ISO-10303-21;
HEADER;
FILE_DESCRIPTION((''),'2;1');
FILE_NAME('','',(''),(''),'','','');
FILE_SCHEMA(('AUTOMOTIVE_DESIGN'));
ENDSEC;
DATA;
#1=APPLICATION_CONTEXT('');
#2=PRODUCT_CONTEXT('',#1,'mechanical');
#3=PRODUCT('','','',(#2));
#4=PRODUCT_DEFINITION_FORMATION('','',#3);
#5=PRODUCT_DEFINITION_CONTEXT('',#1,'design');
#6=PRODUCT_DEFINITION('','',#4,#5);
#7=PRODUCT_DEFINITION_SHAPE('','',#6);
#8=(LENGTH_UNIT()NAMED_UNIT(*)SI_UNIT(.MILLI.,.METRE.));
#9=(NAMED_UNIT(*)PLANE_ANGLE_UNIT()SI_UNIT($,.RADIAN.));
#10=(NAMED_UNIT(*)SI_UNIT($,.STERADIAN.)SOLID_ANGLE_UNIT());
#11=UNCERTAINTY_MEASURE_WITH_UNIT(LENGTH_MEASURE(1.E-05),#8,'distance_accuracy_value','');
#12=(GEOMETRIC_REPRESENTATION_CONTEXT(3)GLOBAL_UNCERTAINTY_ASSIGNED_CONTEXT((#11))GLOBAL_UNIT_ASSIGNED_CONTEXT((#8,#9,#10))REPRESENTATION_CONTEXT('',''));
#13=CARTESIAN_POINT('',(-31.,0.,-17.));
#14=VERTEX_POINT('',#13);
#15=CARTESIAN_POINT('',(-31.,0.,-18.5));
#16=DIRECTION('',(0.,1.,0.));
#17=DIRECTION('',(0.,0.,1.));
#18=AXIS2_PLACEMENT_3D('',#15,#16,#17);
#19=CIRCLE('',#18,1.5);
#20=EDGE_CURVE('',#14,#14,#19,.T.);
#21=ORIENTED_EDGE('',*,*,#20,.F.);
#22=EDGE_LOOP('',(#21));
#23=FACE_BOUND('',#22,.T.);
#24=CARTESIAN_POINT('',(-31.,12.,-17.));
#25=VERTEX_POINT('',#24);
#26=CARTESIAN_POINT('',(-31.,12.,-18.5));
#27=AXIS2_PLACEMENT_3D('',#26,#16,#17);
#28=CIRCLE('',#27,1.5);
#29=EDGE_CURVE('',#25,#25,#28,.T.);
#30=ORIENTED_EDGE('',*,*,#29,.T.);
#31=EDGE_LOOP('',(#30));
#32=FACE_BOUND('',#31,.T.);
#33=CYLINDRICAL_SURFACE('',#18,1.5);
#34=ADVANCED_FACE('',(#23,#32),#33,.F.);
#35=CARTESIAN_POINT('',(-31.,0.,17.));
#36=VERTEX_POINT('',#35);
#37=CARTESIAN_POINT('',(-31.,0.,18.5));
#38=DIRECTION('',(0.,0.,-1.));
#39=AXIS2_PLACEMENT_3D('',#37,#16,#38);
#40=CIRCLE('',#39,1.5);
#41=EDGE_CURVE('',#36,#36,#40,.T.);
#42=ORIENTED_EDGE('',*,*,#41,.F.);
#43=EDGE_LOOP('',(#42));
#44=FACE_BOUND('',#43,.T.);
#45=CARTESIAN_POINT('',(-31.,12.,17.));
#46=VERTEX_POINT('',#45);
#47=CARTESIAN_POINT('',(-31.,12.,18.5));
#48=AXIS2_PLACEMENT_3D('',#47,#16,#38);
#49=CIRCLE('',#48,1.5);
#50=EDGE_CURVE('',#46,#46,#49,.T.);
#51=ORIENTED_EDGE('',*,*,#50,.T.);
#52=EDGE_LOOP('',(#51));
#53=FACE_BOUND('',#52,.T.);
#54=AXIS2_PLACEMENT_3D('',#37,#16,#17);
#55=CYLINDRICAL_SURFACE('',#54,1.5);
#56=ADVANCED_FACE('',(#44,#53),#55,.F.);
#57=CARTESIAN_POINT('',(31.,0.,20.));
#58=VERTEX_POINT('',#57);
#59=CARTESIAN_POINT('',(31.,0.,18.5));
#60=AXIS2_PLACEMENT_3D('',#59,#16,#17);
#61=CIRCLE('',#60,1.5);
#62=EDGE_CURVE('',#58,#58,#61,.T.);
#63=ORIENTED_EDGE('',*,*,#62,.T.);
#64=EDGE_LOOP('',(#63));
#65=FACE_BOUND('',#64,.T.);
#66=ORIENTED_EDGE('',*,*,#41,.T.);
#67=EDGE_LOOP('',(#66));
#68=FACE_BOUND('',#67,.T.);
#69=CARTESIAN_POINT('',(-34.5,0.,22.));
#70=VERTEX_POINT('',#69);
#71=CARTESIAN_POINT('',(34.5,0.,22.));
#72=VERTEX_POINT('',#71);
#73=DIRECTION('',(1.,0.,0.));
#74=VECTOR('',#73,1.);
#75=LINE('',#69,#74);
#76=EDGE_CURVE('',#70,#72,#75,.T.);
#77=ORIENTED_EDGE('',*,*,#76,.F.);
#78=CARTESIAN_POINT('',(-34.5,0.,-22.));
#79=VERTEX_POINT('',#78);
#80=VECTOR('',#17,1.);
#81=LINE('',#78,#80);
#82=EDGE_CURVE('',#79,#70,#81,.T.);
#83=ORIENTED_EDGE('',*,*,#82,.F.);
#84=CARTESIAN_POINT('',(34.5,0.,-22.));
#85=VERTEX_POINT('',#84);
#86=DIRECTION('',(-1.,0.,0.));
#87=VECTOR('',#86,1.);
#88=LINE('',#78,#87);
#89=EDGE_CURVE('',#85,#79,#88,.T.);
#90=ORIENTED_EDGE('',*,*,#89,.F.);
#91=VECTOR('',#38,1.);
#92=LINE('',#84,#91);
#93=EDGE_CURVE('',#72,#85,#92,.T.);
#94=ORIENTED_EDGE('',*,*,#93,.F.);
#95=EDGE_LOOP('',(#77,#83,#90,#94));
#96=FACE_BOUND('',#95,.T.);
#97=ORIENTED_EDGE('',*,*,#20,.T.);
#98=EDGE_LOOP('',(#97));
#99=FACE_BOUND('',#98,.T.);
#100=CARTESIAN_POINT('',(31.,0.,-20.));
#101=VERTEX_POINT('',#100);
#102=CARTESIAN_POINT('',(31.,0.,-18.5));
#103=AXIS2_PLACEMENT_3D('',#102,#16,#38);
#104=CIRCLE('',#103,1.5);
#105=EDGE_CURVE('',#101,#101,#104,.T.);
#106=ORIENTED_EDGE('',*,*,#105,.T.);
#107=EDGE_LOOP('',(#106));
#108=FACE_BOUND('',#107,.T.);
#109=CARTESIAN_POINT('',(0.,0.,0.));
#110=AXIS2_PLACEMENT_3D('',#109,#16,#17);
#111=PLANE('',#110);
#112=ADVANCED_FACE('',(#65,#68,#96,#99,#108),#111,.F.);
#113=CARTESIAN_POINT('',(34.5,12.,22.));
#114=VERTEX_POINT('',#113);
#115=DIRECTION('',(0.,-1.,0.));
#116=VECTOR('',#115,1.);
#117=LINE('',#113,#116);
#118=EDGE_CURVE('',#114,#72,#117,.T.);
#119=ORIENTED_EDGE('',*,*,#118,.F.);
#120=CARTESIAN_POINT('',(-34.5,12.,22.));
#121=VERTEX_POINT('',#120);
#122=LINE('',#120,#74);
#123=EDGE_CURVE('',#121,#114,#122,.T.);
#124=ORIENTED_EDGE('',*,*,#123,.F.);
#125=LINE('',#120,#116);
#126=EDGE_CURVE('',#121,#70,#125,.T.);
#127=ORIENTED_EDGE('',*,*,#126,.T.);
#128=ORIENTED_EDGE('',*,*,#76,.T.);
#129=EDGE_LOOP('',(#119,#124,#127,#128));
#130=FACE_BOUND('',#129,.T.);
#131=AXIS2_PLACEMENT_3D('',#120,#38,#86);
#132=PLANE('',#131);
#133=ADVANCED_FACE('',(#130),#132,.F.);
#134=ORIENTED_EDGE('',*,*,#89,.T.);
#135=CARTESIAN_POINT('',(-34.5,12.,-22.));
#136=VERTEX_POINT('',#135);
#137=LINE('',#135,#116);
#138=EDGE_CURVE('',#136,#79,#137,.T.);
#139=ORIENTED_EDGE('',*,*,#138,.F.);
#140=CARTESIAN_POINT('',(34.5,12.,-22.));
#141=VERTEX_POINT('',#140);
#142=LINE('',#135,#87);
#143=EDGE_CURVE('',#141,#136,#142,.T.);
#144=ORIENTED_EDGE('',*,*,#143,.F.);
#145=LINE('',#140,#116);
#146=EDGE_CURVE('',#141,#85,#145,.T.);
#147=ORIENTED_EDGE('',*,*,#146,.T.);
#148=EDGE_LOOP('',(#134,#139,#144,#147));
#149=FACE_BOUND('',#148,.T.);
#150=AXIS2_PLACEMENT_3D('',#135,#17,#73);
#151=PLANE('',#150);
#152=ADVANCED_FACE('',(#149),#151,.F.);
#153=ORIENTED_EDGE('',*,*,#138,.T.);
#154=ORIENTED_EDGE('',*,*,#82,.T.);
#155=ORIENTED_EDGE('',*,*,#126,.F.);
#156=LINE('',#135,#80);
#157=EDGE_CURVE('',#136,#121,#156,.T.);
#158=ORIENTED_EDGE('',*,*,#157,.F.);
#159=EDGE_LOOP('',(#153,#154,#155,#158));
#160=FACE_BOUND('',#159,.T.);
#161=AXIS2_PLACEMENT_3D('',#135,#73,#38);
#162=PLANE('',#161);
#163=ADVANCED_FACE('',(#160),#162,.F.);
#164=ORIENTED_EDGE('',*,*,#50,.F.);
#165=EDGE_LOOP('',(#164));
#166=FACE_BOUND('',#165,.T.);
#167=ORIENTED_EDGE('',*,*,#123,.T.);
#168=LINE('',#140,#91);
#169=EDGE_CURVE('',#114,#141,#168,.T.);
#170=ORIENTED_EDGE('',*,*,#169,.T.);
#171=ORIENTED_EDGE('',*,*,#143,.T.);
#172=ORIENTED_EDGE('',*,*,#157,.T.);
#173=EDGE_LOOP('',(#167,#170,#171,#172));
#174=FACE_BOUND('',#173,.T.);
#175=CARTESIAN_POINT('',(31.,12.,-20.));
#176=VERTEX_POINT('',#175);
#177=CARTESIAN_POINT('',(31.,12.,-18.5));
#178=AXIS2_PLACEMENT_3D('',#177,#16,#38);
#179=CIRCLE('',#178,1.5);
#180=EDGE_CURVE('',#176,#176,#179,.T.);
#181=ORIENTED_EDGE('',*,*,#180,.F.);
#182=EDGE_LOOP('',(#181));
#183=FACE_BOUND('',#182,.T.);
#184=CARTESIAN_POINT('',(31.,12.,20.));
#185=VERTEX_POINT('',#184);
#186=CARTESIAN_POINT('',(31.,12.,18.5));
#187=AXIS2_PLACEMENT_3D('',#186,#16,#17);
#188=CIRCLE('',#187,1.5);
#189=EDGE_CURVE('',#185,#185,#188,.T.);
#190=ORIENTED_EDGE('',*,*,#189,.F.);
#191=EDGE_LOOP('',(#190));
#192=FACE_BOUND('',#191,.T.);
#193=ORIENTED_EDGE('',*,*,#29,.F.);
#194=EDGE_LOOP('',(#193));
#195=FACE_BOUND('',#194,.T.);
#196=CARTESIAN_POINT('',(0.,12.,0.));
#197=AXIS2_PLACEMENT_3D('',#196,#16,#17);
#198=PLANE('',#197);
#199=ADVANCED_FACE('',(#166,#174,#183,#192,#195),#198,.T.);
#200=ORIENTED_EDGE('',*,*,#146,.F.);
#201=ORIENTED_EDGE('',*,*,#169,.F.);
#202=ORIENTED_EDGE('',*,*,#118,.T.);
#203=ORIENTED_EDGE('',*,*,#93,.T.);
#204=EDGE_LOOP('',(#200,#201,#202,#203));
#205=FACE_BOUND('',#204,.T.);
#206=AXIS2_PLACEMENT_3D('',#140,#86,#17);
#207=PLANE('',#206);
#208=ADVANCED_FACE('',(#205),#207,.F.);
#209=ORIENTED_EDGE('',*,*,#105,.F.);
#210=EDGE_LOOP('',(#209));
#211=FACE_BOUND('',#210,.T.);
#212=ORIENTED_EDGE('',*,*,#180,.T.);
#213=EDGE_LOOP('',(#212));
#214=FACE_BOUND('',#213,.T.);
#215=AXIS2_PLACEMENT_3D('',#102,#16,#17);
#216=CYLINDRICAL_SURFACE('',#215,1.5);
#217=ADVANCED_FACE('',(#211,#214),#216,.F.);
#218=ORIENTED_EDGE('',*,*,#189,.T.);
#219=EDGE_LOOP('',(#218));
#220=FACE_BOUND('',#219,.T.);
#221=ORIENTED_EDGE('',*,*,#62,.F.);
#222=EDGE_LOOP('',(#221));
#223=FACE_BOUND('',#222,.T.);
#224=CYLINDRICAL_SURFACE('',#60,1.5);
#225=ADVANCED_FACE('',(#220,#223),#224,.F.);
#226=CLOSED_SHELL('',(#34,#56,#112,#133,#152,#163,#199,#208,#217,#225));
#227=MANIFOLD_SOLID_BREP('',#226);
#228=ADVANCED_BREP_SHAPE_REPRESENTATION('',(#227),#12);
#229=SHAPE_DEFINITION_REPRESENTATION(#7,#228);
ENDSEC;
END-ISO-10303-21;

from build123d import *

# Parameters (mm, degrees)
SKETCH_1_W          = 69
SKETCH_1_H          = 44
EXTRUDE_1_DEPTH     = 12
SKETCH_2_R          = 1.5
CUT_EXTRUDE_1_DEPTH = 43.640942766


with BuildPart() as part:
    # 草图1 → 凸台-拉伸1 (new body)
    with BuildSketch(Plane(origin=(0, 0, 0), x_dir=(1, 0, 0), z_dir=(0, 1, 0))):
        Rectangle(SKETCH_1_W, SKETCH_1_H)
    extrude(amount=EXTRUDE_1_DEPTH)

    # 草图2 → 切除-拉伸1 (cut, through all)
    with BuildSketch(Plane(origin=(0, 12, 0), x_dir=(1, 0, 0), z_dir=(0, 1, 0))):
        with Locations(Location((-31, 18.5, 0), (0, 0, 270))):
            Circle(SKETCH_2_R)
        with Locations(Location((-31, -18.5, 0), (0, 0, 90))):
            Circle(SKETCH_2_R)
        with Locations(Location((31, -18.5, 0), (0, 0, 270))):
            Circle(SKETCH_2_R)
        with Locations(Location((31, 18.5, 0), (0, 0, 90))):
            Circle(SKETCH_2_R)
    extrude(amount=-CUT_EXTRUDE_1_DEPTH, mode=Mode.SUBTRACT)


solid = part.part
